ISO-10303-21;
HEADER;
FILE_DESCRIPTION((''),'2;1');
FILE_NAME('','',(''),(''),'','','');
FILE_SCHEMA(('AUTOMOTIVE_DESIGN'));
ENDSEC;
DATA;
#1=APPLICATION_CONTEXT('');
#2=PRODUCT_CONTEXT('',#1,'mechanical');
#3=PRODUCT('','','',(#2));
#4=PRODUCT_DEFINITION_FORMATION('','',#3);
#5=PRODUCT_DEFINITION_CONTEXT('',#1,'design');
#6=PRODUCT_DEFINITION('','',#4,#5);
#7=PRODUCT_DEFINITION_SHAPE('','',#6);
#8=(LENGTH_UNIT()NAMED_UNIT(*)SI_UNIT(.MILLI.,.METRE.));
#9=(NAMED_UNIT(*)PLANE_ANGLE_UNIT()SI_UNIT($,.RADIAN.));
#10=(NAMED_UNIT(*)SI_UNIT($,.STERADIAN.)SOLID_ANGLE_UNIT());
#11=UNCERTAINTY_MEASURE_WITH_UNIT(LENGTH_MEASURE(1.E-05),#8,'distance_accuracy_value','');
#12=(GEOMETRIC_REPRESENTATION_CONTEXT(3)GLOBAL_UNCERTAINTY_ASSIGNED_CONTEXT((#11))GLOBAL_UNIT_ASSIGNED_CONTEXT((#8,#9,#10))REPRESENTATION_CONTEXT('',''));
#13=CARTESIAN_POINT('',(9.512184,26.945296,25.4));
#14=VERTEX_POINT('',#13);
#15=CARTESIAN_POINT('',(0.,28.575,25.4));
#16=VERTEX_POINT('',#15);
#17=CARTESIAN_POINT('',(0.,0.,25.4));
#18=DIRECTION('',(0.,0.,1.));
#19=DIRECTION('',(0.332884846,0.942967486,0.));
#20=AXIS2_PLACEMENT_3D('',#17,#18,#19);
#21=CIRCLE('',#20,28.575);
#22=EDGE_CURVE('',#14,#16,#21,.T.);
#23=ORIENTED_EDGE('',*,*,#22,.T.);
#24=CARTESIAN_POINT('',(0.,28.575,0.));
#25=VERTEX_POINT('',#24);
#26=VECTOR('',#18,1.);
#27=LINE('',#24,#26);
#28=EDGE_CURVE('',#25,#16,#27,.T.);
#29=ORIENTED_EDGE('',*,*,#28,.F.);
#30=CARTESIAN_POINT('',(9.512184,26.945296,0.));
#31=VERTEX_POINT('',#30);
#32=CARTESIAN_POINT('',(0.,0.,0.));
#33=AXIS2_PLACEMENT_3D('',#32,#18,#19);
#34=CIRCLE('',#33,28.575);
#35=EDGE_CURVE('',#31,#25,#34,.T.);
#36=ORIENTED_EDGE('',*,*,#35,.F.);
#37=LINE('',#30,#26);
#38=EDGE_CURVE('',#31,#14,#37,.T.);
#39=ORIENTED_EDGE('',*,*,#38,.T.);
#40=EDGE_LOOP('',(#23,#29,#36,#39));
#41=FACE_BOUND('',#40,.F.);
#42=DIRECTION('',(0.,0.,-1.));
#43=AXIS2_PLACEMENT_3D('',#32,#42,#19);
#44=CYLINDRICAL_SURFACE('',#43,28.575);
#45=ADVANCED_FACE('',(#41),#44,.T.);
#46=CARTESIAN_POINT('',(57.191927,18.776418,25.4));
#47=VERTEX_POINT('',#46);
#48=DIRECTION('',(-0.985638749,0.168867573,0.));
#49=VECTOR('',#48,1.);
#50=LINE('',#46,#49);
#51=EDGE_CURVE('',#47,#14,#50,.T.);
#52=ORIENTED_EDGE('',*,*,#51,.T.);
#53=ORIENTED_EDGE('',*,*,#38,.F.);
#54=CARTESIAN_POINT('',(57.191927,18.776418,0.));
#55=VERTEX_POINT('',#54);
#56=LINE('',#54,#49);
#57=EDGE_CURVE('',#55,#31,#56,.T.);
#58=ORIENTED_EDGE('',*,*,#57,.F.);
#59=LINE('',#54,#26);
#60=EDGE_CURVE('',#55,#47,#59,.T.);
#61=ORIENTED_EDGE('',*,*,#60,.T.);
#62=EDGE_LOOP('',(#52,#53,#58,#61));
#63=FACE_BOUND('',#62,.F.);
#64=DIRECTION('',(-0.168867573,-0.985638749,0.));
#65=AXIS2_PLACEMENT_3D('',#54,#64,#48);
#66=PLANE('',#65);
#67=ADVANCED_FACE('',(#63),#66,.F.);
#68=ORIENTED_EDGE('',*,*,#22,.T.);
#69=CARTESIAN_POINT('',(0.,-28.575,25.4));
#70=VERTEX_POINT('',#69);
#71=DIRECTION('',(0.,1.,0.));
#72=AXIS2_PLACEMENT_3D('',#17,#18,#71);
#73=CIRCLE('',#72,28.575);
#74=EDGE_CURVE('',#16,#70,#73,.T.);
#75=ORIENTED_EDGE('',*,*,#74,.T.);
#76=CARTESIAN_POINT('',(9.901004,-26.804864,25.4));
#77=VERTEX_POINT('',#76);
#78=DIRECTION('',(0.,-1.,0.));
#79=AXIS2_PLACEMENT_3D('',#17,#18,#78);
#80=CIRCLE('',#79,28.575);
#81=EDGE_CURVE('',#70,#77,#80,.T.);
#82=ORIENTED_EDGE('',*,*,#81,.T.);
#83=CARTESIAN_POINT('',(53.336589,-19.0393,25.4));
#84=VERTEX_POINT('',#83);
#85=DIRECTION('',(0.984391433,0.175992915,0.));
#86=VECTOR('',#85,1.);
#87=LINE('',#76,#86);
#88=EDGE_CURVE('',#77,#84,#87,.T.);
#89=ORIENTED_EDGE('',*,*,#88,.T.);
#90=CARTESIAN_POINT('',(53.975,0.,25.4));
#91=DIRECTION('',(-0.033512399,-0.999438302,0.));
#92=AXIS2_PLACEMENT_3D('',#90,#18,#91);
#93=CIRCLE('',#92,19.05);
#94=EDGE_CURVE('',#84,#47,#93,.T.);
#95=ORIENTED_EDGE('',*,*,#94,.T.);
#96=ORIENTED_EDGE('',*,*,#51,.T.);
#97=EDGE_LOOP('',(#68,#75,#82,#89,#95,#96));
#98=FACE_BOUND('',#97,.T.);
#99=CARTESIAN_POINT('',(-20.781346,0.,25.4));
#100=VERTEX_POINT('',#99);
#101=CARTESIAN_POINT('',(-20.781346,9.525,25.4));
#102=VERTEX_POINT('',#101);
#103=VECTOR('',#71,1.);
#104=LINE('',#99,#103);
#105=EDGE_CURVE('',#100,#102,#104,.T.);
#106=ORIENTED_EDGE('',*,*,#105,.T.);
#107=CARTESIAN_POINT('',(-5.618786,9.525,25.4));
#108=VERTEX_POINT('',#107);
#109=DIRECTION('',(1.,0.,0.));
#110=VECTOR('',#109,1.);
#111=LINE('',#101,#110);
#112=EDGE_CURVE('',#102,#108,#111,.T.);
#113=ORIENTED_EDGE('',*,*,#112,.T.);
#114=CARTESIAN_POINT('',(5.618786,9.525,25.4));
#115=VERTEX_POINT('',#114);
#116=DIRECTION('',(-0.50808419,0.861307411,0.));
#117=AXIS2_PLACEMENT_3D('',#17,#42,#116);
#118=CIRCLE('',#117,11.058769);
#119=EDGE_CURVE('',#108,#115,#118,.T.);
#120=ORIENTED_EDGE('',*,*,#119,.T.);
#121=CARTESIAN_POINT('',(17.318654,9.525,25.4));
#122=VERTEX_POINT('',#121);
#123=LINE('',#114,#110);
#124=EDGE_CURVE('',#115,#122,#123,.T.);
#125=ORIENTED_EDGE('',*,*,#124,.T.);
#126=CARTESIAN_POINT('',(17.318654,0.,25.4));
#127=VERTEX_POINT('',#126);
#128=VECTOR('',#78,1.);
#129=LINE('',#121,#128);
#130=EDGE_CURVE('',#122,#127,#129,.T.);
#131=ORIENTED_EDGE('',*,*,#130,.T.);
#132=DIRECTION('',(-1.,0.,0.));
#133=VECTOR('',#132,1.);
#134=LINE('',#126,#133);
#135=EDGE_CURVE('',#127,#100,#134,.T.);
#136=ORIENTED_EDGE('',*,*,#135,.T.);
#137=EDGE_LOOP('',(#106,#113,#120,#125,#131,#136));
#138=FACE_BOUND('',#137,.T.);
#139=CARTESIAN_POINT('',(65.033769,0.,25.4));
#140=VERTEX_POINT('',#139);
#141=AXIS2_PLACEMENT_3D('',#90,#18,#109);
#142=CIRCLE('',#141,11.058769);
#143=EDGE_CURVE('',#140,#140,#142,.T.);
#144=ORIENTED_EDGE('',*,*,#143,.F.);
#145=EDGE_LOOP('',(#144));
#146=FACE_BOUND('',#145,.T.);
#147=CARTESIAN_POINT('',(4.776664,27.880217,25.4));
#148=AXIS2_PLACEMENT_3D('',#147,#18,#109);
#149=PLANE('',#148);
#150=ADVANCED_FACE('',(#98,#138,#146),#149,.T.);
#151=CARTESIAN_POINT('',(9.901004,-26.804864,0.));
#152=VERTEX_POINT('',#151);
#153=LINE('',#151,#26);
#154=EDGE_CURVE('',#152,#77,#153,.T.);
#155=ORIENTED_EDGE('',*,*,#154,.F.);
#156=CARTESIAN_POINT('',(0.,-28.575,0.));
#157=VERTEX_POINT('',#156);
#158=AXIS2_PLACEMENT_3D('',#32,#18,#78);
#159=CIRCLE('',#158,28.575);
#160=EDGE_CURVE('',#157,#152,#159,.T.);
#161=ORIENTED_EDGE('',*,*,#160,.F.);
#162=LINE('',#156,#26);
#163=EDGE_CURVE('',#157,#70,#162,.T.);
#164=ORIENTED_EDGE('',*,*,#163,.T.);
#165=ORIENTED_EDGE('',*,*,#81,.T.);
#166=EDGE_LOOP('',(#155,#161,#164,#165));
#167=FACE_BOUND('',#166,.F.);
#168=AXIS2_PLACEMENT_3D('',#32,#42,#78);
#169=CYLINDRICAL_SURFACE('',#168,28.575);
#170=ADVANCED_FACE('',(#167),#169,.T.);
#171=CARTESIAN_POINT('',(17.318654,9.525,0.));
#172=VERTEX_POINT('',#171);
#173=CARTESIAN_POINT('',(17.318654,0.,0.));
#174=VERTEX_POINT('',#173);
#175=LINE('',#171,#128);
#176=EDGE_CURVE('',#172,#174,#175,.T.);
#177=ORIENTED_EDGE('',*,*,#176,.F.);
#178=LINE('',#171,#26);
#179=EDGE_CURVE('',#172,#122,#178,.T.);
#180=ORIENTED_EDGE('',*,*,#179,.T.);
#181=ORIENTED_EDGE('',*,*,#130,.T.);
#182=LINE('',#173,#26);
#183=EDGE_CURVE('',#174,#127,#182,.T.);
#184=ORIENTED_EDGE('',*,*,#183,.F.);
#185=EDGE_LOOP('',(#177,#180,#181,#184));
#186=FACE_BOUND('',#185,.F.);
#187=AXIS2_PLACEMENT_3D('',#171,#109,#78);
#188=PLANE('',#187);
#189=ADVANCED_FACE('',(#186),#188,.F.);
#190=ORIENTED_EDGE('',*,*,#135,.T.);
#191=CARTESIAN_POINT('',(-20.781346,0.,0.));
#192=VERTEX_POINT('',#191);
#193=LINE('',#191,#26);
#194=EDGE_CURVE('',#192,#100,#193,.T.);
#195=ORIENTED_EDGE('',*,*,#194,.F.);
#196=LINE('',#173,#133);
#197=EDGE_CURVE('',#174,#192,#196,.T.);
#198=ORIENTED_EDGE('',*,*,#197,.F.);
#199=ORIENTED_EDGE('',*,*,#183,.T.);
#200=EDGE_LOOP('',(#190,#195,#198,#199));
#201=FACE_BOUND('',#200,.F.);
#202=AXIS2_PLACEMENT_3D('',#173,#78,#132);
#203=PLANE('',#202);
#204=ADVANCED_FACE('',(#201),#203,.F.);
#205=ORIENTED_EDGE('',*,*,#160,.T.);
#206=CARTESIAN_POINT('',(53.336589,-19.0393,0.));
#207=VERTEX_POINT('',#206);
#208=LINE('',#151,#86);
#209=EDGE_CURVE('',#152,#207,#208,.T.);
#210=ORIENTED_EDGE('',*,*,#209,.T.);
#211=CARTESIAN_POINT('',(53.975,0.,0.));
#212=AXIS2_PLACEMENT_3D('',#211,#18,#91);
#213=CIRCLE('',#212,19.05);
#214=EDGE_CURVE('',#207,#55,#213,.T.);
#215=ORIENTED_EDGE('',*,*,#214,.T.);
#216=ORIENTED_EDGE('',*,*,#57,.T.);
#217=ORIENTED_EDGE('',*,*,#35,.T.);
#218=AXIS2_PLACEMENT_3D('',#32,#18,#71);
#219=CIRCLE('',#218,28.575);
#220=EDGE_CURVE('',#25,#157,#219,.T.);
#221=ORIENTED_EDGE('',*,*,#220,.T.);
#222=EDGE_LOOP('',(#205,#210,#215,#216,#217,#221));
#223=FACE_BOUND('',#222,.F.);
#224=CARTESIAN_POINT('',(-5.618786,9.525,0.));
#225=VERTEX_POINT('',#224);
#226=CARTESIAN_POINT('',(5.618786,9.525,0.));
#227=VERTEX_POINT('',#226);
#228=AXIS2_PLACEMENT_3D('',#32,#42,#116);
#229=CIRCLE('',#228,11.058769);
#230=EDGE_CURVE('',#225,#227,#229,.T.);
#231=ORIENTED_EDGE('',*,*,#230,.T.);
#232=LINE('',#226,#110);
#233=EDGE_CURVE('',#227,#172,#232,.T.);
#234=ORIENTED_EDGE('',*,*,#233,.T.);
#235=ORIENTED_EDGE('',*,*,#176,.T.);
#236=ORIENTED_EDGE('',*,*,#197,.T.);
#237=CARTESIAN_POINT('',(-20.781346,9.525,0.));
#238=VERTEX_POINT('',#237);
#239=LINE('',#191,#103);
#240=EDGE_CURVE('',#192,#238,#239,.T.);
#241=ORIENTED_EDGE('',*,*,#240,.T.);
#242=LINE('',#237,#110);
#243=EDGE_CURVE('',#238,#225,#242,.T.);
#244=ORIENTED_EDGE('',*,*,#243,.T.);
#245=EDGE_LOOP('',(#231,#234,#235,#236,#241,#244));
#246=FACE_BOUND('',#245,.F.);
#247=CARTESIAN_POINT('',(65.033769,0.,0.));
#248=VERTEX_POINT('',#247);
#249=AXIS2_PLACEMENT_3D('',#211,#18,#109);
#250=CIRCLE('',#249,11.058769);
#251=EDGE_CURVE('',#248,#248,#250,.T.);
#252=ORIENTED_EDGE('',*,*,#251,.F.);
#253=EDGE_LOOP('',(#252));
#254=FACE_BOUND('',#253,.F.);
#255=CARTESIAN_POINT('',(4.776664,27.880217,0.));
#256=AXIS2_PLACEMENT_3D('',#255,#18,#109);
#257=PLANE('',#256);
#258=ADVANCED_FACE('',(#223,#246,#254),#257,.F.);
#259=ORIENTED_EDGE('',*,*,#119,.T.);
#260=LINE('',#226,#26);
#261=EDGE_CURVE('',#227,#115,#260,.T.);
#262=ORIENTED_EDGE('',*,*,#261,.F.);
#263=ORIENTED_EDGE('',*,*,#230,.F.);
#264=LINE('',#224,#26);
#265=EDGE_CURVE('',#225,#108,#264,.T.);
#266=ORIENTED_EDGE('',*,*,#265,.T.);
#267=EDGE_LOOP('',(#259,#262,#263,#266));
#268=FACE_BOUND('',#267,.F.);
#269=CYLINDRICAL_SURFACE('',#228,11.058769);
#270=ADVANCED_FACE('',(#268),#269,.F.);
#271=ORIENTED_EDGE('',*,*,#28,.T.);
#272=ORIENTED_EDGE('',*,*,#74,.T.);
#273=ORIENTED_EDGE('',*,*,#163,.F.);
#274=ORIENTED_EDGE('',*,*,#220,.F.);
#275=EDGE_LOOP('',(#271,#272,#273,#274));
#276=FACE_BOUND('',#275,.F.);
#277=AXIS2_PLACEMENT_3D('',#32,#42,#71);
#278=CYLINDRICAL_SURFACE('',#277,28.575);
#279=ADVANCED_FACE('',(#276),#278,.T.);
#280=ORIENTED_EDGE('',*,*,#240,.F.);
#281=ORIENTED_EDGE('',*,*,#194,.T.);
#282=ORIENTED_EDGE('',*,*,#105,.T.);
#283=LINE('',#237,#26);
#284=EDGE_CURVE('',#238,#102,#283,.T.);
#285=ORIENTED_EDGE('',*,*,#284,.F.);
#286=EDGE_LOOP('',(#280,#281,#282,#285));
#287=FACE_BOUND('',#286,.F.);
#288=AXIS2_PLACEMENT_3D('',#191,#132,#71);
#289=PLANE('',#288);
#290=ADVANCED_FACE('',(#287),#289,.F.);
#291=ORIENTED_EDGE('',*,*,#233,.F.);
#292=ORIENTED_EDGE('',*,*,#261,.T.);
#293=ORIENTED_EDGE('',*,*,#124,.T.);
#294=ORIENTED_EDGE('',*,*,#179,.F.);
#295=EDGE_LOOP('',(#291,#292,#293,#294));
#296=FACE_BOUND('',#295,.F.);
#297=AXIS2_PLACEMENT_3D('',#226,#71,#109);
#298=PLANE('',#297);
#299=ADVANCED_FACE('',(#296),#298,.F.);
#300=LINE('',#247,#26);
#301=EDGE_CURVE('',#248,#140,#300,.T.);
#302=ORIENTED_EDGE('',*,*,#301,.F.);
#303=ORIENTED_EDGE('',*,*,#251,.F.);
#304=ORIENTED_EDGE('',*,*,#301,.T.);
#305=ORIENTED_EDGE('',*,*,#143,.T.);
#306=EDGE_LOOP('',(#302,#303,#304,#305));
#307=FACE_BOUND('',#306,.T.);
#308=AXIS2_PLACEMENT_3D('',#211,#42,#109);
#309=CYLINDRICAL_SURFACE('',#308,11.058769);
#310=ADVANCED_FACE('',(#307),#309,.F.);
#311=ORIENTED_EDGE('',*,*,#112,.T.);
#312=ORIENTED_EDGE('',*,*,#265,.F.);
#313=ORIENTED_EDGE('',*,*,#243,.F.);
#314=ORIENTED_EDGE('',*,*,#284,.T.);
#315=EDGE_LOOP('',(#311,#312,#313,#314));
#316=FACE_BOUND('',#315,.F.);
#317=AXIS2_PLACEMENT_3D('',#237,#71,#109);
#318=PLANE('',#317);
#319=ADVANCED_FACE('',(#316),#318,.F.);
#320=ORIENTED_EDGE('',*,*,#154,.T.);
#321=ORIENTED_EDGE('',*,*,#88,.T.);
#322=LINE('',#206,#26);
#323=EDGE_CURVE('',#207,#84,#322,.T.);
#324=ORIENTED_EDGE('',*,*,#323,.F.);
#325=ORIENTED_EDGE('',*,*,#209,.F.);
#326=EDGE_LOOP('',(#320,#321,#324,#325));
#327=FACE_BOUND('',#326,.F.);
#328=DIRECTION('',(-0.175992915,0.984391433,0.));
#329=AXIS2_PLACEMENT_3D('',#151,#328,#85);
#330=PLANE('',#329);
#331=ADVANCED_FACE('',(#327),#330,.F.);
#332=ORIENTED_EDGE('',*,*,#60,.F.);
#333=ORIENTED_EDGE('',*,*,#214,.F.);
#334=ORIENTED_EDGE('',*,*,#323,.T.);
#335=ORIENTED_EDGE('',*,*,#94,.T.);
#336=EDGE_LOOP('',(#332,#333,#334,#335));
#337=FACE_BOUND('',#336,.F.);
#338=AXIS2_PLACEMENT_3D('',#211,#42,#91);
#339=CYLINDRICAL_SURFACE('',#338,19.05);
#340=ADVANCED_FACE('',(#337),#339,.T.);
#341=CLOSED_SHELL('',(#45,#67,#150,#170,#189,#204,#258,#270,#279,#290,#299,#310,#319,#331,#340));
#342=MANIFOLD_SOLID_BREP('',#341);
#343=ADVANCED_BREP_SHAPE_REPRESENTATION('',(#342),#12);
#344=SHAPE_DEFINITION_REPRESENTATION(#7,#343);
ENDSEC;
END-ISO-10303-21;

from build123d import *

# Parameters (mm, degrees)
F0_R     = 11.058769352
F1_DEPTH = 25.4


with BuildPart() as f1:
    # F0 (on Top) → F1 (new body)
    with BuildSketch(Plane.XY):
        with BuildLine():
            ThreePointArc((9.5121844836, 26.9452959039), (4.8253908933, 28.1646272428), (0, 28.575))
            Line((0, 28.575), (9.5121844836, 26.9452959039))
        make_face()
        with BuildLine():
            Line((9.9010042024, -26.8048641254), (0, -28.575))
            ThreePointArc((0, -28.575), (5.028997545, -28.1289852055), (9.9010042024, -26.8048641254))
        make_face()
        with BuildLine():
            Line((57.1919272622, 18.7764181619), (9.5121844836, 26.9452959039))
            ThreePointArc((9.5121844836, 26.9452959039), (23.3274655355, 16.5033322905), (28.575, 0))
            ThreePointArc((28.575, 0), (23.4462344534, -16.3341579201), (9.9010042024, -26.8048641254))
            Line((9.9010042024, -26.8048641254), (53.3365887919, -19.0392996491))
            ThreePointArc((53.3365887919, -19.0392996491), (35.0232371624, 1.9321452713), (57.1919272622, 18.7764181619))
        make_face()
        with BuildLine():
            ThreePointArc((73.025, 0), (68.5383952831, 12.2804730295), (57.1919272622, 18.7764181619))
            ThreePointArc((57.1919272622, 18.7764181619), (35.0232371624, 1.9321452713), (53.3365887919, -19.0392996491))
            ThreePointArc((53.3365887919, -19.0392996491), (67.2177483266, -13.6942366256), (73.025, 0))
        make_face()
        with Locations((53.975, 0)):
            Circle(F0_R, mode=Mode.SUBTRACT)
        with BuildLine():
            Line((9.5121844836, 26.9452959039), (0, 28.575))
            ThreePointArc((0, 28.575), (-28.575, 0), (0, -28.575))
            Line((0, -28.575), (9.9010042024, -26.8048641254))
            ThreePointArc((9.9010042024, -26.8048641254), (23.4462344534, -16.3341579201), (28.575, 0))
            ThreePointArc((28.575, 0), (23.3274655355, 16.5033322905), (9.5121844836, 26.9452959039))
        make_face()
        with BuildLine():
            Line((17.3186543345, 0), (11.058769352, 0))
            ThreePointArc((11.058769352, 0), (0, -11.058769352), (-11.058769352, 0))
            Line((-11.058769352, 0), (-20.7813456655, 0))
            Line((-20.7813456655, 0), (-20.7813456655, 9.525))
            Line((-20.7813456655, 9.525), (-5.6187858636, 9.525))
            ThreePointArc((-5.6187858636, 9.525), (0, 11.058769352), (5.6187858636, 9.525))
            Line((5.6187858636, 9.525), (17.3186543345, 9.525))
            Line((17.3186543345, 9.525), (17.3186543345, 0))
        make_face(mode=Mode.SUBTRACT)
        with BuildLine():
            ThreePointArc((-11.058769352, 0), (0, -11.058769352), (11.058769352, 0))
            Line((11.058769352, 0), (-11.058769352, 0))
        make_face()
    extrude(amount=F1_DEPTH)


solid = f1.part
